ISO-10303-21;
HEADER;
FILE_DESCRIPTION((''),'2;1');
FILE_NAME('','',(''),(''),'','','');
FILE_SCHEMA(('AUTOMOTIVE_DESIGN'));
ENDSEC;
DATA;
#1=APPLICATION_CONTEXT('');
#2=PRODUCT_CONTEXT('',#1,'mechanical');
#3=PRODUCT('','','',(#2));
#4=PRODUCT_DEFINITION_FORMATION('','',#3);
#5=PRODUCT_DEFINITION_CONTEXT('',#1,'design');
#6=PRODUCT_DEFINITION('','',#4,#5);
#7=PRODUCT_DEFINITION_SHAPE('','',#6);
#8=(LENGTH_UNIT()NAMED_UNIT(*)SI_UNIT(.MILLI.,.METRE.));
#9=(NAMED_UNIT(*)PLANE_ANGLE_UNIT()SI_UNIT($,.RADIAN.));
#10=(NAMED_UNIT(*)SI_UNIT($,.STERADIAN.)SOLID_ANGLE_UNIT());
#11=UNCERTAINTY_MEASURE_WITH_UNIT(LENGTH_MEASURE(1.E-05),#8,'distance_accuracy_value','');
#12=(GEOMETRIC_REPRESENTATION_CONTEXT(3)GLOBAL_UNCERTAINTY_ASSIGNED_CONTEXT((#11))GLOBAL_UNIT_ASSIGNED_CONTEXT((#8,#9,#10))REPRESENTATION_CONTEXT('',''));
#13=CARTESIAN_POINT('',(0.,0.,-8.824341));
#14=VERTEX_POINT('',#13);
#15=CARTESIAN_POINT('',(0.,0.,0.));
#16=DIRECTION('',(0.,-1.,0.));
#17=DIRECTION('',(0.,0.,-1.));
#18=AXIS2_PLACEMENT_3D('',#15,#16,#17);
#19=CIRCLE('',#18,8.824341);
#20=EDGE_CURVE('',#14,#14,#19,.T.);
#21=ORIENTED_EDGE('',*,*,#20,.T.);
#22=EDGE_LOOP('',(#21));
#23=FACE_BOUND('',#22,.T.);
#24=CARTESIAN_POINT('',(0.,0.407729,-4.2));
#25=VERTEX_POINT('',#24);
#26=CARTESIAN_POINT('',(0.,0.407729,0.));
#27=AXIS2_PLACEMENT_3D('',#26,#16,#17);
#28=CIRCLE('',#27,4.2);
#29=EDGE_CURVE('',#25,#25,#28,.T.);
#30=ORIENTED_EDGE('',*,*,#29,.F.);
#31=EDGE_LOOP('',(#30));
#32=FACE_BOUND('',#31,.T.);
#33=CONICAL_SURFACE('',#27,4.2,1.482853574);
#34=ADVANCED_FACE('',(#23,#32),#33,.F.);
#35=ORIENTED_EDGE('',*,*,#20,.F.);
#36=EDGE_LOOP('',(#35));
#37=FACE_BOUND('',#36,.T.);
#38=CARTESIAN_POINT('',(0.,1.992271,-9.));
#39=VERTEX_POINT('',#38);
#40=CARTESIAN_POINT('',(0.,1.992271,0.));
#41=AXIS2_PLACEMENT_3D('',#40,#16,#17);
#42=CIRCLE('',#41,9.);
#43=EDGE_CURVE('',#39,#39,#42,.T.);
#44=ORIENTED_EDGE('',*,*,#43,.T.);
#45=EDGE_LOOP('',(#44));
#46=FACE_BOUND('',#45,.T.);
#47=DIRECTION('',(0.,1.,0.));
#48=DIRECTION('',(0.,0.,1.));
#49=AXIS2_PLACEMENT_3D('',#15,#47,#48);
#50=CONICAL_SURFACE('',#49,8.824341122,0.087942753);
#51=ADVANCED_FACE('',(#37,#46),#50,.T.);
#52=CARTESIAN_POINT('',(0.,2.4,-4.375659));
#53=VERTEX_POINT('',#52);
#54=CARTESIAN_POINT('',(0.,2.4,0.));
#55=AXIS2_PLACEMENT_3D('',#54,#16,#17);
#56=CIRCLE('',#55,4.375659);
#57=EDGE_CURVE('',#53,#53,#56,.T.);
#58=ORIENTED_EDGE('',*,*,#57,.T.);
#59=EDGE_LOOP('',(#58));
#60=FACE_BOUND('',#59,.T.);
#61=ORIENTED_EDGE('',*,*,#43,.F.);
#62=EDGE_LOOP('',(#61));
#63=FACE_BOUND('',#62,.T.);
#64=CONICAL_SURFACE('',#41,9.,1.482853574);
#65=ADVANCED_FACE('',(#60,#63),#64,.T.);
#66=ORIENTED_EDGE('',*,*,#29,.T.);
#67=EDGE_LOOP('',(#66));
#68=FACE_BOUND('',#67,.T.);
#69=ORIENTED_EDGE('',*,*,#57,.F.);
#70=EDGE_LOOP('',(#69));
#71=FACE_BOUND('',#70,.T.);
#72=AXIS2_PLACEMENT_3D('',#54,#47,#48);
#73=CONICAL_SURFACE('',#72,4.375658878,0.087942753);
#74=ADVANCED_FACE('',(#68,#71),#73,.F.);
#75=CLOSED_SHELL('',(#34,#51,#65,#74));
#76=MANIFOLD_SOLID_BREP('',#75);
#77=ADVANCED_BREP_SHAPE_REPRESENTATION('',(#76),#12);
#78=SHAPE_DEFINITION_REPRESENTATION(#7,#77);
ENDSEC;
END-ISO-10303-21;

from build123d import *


with BuildPart() as part:
    # Sketch1 → Revolve1 (revolve)
    with BuildSketch(Plane.XY):
        Polygon((8.824341122, 0), (4.2, 0.407728945), (4.375658878, 2.4), (9, 1.992271055), align=None)
    revolve(axis=Axis((0, 0, 0), (0, 1, 0)))


solid = part.part
